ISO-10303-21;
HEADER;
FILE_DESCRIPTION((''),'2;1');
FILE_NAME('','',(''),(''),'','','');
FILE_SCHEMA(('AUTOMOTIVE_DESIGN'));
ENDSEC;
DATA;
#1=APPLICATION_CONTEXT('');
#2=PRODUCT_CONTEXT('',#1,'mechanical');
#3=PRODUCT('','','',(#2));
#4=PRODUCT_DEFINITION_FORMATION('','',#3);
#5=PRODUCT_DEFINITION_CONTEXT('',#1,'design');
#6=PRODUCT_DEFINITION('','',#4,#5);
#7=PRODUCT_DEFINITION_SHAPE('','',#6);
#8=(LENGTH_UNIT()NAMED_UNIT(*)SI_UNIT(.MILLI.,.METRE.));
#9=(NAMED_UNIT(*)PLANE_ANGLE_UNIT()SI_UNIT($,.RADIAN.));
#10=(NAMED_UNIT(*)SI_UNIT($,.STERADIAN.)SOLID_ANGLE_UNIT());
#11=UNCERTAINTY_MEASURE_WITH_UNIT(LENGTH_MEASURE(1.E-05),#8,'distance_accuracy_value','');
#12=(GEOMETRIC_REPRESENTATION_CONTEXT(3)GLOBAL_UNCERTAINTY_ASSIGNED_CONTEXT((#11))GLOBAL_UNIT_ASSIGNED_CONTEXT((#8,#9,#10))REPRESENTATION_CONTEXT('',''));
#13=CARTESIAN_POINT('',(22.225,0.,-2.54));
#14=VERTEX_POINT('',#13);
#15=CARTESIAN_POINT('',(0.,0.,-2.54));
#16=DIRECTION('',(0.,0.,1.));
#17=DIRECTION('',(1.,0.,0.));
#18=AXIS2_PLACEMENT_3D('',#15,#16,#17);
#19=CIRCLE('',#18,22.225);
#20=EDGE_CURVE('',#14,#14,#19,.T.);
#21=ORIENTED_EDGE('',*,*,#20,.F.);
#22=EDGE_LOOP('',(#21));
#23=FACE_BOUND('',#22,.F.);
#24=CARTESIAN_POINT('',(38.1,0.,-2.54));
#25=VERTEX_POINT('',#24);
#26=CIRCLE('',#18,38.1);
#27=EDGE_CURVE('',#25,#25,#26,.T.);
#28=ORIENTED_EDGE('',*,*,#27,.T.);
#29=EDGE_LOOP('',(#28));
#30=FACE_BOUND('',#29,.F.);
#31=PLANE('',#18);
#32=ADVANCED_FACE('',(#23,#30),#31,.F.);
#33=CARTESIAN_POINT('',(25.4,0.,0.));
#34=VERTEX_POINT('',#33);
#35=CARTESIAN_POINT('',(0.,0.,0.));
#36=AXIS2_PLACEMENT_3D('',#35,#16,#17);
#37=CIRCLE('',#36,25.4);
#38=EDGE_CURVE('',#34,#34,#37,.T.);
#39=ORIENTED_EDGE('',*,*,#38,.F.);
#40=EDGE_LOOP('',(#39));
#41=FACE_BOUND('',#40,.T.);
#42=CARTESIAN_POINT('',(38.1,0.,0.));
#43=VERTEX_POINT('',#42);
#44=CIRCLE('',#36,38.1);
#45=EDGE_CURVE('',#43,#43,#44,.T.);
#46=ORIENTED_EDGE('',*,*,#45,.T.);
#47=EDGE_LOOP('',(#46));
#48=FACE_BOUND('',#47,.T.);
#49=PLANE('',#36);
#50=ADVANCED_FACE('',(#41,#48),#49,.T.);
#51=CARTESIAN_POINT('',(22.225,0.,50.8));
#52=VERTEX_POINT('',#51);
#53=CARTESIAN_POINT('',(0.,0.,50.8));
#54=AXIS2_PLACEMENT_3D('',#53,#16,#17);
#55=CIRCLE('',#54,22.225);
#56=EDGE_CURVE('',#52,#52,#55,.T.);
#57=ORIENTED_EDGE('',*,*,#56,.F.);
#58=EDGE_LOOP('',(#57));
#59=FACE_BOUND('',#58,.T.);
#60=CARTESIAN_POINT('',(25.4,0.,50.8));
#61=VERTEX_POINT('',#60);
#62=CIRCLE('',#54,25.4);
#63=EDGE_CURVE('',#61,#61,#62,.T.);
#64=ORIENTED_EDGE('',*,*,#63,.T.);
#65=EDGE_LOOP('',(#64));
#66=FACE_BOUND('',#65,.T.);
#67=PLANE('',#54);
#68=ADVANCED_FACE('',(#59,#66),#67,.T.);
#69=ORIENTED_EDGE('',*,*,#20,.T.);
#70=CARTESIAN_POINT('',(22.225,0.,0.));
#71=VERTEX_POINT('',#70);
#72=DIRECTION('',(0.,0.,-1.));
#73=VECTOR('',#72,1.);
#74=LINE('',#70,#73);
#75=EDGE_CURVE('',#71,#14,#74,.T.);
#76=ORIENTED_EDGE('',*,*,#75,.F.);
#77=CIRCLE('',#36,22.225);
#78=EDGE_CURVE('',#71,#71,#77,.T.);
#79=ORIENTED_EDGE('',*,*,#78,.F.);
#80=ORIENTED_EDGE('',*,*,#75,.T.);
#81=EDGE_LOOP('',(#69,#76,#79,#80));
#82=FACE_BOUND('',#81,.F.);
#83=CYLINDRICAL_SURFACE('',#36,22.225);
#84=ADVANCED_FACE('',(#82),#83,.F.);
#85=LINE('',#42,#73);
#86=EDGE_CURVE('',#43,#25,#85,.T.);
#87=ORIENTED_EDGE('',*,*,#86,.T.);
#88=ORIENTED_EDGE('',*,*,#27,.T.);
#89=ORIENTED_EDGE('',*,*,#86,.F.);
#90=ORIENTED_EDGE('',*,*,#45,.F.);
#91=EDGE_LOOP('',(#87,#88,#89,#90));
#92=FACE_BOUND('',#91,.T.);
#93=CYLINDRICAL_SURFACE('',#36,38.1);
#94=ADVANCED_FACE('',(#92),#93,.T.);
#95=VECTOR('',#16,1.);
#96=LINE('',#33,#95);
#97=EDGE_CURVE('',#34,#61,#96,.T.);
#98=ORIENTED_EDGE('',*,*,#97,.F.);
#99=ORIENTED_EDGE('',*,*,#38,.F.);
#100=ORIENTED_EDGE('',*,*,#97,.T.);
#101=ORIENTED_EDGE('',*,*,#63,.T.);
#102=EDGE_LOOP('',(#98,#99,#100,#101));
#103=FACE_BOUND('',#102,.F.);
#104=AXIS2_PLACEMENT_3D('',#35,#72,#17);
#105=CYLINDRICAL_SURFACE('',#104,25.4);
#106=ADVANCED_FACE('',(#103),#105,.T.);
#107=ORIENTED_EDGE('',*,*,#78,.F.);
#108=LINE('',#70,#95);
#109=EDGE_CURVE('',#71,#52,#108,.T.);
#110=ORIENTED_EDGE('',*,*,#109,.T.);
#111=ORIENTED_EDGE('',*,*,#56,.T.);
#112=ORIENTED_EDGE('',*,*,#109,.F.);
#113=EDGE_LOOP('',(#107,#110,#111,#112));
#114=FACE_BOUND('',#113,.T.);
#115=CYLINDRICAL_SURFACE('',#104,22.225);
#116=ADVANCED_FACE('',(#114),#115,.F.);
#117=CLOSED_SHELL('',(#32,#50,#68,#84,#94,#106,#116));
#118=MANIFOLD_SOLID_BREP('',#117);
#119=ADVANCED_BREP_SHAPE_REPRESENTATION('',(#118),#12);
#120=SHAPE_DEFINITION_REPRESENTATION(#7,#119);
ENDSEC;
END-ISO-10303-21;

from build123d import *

# Parameters (mm, degrees)
F0_R     = 25.4
F0_R_2   = 22.225
F1_DEPTH = 50.8
F2_R     = 38.1
F2_R_2   = 22.225
F3_DEPTH = 2.54


with BuildPart() as f1:
    # F0 (on Top) → F1 (new body)
    with BuildSketch(Plane.XY):
        Circle(F0_R)
        Circle(F0_R_2, mode=Mode.SUBTRACT)
    extrude(amount=F1_DEPTH)

    # F2 (on Top) → F3 (join)
    with BuildSketch(Plane.XY):
        Circle(F2_R)
        Circle(F2_R_2, mode=Mode.SUBTRACT)
    extrude(amount=-F3_DEPTH)


solid = f1.part
